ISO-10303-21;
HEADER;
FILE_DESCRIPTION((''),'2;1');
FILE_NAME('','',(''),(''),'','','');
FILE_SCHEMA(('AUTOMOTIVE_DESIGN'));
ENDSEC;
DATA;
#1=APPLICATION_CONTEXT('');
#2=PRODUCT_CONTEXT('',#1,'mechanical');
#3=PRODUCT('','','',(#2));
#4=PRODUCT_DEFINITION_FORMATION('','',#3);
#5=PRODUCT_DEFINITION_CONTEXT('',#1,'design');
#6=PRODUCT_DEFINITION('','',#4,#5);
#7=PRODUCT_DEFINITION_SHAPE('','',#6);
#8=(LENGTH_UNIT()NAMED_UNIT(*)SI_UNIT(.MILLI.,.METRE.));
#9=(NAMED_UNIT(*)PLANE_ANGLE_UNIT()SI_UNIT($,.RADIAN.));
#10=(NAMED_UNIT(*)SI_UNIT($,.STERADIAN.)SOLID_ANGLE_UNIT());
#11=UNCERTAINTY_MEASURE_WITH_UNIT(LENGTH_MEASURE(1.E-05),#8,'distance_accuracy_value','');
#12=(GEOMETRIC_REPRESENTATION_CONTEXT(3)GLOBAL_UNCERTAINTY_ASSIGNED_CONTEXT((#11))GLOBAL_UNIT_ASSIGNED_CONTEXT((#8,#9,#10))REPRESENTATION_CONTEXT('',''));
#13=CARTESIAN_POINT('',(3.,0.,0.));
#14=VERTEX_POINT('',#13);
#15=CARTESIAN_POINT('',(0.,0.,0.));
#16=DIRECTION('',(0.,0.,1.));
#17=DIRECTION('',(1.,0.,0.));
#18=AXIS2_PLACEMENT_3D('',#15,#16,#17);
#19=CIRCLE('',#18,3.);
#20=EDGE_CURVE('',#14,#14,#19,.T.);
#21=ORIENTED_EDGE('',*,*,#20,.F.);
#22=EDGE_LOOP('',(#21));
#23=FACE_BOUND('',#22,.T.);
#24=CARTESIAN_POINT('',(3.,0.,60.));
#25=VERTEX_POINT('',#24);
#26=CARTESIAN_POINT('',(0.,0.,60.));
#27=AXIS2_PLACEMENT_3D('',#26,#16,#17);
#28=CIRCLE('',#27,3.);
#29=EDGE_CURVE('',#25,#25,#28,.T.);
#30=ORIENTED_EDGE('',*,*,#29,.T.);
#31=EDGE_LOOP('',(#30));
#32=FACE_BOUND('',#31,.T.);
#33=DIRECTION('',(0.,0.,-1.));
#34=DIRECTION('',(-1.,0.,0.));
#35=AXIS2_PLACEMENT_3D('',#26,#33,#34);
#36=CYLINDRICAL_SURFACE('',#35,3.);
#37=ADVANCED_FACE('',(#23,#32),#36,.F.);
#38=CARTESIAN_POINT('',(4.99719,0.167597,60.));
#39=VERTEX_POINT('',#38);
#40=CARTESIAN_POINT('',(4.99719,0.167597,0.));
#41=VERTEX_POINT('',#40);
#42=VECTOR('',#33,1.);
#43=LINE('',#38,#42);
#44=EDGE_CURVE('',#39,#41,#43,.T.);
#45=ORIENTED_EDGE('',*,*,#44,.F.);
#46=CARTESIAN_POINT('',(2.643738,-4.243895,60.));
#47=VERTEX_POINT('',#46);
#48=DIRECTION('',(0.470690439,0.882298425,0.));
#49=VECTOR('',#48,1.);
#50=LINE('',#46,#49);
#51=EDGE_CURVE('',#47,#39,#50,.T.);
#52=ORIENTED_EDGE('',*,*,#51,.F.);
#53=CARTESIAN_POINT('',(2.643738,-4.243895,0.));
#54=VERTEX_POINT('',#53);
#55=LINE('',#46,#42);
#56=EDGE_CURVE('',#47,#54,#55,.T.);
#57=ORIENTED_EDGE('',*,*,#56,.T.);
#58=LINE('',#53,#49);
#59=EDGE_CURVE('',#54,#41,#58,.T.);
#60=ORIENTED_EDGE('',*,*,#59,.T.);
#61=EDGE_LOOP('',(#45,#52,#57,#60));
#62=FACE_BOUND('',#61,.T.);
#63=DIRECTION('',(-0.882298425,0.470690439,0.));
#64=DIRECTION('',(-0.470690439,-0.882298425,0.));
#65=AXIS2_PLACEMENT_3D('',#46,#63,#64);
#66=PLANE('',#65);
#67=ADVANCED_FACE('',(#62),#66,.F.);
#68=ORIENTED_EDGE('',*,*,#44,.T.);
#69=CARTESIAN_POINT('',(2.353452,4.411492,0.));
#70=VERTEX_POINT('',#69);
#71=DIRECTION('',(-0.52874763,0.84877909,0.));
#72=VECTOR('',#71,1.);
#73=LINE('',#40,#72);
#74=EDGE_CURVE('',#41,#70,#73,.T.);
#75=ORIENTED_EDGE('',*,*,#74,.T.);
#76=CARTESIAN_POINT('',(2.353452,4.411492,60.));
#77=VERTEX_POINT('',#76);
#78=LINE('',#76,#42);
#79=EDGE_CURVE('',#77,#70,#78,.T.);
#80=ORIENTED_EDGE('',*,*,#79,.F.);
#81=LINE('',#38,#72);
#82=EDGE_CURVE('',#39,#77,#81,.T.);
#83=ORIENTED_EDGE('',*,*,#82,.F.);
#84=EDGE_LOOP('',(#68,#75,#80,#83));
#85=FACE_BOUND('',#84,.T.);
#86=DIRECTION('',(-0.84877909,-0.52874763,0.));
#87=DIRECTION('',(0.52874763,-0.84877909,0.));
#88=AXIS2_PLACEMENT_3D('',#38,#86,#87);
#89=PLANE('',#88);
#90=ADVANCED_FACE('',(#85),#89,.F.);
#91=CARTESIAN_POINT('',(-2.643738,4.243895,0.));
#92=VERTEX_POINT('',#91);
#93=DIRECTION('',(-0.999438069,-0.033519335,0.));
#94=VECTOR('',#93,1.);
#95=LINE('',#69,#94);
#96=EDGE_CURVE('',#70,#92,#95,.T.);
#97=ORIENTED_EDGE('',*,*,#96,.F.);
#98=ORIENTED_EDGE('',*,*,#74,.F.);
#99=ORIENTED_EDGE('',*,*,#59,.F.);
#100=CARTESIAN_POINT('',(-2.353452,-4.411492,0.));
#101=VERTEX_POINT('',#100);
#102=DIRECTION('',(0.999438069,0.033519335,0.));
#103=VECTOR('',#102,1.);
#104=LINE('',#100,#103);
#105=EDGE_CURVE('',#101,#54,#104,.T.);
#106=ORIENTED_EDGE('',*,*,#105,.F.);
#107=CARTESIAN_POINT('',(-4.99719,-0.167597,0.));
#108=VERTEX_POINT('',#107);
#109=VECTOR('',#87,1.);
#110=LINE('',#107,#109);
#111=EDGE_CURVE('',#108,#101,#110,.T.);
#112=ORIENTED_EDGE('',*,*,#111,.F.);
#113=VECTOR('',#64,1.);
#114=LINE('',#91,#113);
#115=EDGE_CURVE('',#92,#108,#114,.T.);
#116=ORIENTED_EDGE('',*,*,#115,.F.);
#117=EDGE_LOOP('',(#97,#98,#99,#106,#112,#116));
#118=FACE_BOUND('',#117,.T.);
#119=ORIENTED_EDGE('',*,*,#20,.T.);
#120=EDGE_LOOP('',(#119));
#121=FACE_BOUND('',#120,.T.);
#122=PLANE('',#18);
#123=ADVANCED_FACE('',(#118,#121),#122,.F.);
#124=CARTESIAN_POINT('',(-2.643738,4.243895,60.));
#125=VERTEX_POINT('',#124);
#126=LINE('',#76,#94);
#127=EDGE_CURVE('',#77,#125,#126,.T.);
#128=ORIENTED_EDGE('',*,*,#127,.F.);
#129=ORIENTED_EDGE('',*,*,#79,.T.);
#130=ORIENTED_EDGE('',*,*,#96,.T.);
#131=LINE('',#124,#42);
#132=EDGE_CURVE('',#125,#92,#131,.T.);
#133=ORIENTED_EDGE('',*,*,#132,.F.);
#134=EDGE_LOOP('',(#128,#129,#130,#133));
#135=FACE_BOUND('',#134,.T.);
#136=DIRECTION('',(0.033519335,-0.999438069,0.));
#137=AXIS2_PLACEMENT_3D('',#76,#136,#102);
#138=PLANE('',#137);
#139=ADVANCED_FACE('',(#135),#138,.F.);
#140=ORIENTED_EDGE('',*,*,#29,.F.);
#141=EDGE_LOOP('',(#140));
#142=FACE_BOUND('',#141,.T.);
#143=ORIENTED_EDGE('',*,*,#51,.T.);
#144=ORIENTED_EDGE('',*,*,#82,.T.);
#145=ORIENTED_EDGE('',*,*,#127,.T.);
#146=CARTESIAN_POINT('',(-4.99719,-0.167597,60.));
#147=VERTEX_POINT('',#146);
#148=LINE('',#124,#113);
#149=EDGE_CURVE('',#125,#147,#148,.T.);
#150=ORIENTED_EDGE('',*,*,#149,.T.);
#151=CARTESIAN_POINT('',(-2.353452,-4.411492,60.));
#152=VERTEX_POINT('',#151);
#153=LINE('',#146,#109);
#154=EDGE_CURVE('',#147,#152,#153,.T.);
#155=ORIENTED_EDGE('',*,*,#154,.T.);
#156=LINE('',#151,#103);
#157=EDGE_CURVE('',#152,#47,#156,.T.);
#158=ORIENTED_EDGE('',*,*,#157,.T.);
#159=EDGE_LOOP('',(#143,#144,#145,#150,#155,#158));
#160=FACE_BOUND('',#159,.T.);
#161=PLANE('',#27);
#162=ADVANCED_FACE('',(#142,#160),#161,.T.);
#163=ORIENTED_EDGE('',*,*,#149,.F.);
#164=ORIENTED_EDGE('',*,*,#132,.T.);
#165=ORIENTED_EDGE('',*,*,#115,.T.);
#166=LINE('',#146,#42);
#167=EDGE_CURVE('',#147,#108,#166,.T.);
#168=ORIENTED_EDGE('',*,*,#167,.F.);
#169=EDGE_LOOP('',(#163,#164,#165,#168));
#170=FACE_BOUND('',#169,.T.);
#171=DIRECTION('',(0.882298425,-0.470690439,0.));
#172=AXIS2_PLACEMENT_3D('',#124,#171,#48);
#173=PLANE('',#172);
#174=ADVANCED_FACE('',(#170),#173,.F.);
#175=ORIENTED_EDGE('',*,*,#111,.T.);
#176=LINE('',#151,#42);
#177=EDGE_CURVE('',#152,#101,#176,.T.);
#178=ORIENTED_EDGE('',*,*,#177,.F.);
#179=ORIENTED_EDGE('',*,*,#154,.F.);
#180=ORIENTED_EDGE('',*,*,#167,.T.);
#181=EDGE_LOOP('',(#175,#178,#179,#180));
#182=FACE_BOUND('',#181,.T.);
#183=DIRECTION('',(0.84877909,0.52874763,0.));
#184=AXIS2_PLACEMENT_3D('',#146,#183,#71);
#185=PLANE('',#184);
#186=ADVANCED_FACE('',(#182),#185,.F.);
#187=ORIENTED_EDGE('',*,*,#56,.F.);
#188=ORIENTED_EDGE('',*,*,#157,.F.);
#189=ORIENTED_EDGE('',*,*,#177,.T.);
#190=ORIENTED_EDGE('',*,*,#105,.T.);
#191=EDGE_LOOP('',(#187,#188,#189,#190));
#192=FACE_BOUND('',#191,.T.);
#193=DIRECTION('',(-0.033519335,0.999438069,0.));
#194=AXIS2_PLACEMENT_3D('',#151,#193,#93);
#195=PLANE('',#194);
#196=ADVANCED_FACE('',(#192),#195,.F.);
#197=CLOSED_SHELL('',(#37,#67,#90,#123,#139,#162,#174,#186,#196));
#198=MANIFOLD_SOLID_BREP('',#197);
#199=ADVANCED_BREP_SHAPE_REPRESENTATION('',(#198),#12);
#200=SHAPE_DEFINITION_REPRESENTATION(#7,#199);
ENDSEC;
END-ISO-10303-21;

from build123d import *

# Parameters (mm, degrees)
SKETCH1_R           = 3
BOSS_EXTRUDE1_DEPTH = 60


with BuildPart() as part:
    # Sketch1 → Boss-Extrude1 (new body)
    with BuildSketch(Plane.XY):
        Polygon((2.64373815, -4.243895451), (4.997190346, 0.167596673), (2.353452196, 4.411492124), (-2.64373815, 4.243895451), (-4.997190346, -0.167596673), (-2.353452196, -4.411492124), align=None)
        Circle(SKETCH1_R, mode=Mode.SUBTRACT)
    extrude(amount=BOSS_EXTRUDE1_DEPTH)


solid = part.part
